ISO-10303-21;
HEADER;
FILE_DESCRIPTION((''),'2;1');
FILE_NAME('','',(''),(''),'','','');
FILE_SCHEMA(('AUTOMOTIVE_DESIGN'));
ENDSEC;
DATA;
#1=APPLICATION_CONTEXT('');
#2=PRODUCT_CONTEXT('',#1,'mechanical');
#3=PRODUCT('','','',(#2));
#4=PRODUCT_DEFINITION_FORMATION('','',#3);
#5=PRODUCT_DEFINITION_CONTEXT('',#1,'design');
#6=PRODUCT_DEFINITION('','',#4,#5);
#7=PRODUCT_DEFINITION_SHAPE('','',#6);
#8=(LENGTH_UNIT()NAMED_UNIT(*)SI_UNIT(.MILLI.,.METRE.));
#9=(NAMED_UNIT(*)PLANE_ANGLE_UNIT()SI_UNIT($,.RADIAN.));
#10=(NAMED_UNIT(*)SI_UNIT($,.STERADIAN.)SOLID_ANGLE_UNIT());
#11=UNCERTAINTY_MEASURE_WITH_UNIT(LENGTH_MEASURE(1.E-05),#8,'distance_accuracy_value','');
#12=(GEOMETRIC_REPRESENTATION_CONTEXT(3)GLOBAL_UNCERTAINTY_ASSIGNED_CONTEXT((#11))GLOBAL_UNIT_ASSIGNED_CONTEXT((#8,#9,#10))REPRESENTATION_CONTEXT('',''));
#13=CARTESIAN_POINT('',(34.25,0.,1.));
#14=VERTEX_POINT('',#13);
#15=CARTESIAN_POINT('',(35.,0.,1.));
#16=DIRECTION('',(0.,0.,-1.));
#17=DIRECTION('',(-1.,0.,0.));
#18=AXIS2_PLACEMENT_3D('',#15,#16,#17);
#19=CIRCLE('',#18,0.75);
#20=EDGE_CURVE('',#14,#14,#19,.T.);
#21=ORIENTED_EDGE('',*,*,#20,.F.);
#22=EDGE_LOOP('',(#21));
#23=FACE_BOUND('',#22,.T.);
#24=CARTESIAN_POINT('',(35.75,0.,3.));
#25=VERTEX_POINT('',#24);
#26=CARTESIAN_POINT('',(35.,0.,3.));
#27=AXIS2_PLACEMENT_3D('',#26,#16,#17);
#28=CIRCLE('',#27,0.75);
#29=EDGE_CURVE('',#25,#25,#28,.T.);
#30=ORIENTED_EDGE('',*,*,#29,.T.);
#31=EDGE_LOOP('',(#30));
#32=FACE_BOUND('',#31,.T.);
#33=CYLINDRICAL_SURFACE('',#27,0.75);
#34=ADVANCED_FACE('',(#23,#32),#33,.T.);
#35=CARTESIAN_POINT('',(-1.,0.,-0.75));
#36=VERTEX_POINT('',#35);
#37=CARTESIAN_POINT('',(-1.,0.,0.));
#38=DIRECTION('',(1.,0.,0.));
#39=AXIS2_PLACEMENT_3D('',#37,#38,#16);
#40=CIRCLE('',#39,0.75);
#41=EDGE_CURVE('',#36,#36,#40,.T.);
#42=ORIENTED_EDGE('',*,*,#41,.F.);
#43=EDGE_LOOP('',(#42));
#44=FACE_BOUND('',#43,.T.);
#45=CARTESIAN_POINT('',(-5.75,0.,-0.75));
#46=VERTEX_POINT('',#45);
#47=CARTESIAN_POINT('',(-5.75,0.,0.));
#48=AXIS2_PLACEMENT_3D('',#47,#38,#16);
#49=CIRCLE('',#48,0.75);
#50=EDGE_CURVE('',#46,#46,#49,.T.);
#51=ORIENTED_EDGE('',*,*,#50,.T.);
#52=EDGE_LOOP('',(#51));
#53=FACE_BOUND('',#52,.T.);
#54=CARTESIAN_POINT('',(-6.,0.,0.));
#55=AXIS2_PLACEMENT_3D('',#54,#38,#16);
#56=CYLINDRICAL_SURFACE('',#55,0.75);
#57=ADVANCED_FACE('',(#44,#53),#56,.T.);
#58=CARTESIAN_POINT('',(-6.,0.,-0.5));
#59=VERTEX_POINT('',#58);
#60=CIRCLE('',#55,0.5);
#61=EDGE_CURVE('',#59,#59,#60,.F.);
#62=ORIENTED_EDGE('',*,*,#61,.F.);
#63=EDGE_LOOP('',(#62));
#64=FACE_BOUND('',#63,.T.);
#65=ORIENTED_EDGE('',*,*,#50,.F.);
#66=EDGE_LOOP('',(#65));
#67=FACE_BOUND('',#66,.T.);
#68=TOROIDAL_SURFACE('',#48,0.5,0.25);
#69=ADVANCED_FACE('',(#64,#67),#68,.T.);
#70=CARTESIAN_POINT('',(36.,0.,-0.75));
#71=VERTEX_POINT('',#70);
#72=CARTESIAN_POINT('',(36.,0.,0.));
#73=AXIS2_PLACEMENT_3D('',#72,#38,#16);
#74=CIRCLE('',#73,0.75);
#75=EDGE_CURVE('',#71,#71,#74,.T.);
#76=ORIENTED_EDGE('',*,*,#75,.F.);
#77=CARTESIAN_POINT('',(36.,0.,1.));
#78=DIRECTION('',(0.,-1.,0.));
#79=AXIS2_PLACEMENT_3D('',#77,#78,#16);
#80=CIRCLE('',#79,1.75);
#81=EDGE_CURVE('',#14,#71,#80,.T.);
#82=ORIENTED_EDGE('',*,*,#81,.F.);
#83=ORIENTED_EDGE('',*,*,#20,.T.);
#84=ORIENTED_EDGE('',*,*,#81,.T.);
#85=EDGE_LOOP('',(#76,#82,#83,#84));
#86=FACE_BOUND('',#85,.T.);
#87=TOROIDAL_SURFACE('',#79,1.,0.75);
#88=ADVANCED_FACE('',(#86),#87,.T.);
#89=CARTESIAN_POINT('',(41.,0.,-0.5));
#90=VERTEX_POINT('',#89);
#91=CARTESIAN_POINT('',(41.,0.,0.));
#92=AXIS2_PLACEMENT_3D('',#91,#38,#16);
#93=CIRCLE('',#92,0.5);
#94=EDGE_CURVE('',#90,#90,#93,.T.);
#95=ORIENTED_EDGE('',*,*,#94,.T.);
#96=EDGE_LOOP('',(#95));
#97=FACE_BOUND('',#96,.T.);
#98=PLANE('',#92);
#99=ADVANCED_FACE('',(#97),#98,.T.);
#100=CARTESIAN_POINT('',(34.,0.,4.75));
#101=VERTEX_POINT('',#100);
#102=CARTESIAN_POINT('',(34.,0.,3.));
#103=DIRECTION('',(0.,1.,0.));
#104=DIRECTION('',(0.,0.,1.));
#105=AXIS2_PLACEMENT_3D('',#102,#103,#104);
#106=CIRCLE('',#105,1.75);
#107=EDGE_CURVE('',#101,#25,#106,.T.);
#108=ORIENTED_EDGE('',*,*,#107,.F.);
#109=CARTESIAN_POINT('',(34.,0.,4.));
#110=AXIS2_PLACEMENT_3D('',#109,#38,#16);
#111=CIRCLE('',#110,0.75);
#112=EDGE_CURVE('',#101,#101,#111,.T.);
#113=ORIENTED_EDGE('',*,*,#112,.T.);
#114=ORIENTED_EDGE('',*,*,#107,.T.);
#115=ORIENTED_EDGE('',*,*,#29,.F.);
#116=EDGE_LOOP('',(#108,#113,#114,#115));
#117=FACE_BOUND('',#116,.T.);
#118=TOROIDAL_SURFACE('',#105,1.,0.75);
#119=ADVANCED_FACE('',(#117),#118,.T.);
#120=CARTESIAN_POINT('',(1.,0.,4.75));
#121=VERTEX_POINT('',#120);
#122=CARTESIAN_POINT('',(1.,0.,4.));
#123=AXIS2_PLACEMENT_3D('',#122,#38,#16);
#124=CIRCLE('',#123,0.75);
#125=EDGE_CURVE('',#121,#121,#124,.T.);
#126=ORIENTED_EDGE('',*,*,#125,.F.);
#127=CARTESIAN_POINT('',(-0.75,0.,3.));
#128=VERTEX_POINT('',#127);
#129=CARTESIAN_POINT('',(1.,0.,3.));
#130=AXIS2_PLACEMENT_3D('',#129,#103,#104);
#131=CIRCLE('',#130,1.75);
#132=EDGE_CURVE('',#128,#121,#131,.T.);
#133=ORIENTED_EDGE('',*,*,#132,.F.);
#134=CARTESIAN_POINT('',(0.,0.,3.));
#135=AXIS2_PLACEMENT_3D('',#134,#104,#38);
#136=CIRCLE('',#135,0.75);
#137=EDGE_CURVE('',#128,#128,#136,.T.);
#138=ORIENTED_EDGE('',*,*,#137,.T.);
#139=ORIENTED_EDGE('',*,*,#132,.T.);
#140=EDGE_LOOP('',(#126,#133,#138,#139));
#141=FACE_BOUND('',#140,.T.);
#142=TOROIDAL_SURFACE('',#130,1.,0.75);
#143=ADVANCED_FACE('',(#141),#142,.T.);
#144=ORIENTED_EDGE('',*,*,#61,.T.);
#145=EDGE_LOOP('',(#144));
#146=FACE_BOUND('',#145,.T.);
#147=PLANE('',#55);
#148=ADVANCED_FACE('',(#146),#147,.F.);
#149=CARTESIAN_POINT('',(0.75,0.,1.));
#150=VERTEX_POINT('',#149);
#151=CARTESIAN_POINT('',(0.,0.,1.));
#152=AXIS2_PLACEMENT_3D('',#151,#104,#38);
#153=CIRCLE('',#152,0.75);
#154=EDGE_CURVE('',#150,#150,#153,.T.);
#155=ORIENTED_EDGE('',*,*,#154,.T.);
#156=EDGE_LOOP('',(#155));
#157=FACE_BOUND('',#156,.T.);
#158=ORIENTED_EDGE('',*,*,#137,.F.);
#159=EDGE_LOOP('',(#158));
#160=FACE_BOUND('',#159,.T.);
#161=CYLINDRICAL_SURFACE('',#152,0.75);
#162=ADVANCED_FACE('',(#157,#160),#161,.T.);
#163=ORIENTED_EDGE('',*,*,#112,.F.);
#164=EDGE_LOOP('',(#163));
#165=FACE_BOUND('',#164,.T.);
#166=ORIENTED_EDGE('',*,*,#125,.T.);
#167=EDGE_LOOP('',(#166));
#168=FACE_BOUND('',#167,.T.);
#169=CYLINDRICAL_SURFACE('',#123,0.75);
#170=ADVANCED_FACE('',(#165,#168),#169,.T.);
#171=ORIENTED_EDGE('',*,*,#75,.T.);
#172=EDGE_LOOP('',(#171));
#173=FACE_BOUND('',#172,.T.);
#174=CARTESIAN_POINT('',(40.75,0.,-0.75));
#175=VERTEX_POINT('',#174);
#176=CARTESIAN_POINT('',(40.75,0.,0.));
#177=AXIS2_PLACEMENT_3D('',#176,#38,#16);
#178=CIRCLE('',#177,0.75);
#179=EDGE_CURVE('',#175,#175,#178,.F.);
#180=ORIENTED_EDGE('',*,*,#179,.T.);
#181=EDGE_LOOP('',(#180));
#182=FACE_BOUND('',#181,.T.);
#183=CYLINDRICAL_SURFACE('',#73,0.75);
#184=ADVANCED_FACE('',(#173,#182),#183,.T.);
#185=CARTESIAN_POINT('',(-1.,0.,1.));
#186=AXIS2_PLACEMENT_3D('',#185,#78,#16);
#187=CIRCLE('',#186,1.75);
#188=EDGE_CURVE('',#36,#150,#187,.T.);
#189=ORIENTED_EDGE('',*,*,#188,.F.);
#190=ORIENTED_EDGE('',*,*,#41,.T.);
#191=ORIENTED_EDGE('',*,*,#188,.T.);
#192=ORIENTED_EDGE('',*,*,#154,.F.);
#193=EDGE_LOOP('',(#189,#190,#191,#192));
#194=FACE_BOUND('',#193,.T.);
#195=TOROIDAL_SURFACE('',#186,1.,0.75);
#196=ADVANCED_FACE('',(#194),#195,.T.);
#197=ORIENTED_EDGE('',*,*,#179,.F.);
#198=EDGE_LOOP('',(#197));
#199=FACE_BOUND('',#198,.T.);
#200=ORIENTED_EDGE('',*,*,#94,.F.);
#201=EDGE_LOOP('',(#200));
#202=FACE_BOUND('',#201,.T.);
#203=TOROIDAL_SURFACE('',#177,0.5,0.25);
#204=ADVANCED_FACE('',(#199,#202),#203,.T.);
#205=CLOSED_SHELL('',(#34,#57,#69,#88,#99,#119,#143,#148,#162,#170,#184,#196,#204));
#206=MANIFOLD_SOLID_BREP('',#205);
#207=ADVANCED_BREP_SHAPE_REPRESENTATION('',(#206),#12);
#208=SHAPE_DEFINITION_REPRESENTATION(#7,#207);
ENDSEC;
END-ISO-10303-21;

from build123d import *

# Parameters (mm, degrees)
SKETCH3_R = 0.75
FILLET1_R = 0.25


with BuildPart() as part:
    # Sweep1: sweep along a path in Sketch1
    with BuildLine(Plane(origin=(0, 0, 0), x_dir=(1, 0, 0), z_dir=(0, 1, 0))) as sweep1_path:
        Line((-6, 0), (-1, 0))
        ThreePointArc((-1, 0), (-0.292893219, -0.292893219), (0, -1))
        Line((0, -1), (0, -3))
        ThreePointArc((0, -3), (0.292893219, -3.707106781), (1, -4))
        Line((1, -4), (34, -4))
        ThreePointArc((34, -4), (34.707106781, -3.707106781), (35, -3))
        Line((35, -3), (35, -1))
        ThreePointArc((35, -1), (35.292893219, -0.292893219), (36, 0))
        Line((36, 0), (41, 0))
    # Sketch3 → Sweep1 (sweep)
    with BuildSketch(Plane(origin=(-6, 0, 0), x_dir=(0, 0, -1), z_dir=(1, 0, 0))):
        Circle(SKETCH3_R)
    sweep(path=sweep1_path.line)

    # Fillet1
    fillet1_edges = [part.edges().sort_by_distance(p)[0] for p in [
        (41, 0, 0.75),
        (-6, 0, 0.75),
    ]]
    fillet(fillet1_edges, radius=FILLET1_R)


solid = part.part
